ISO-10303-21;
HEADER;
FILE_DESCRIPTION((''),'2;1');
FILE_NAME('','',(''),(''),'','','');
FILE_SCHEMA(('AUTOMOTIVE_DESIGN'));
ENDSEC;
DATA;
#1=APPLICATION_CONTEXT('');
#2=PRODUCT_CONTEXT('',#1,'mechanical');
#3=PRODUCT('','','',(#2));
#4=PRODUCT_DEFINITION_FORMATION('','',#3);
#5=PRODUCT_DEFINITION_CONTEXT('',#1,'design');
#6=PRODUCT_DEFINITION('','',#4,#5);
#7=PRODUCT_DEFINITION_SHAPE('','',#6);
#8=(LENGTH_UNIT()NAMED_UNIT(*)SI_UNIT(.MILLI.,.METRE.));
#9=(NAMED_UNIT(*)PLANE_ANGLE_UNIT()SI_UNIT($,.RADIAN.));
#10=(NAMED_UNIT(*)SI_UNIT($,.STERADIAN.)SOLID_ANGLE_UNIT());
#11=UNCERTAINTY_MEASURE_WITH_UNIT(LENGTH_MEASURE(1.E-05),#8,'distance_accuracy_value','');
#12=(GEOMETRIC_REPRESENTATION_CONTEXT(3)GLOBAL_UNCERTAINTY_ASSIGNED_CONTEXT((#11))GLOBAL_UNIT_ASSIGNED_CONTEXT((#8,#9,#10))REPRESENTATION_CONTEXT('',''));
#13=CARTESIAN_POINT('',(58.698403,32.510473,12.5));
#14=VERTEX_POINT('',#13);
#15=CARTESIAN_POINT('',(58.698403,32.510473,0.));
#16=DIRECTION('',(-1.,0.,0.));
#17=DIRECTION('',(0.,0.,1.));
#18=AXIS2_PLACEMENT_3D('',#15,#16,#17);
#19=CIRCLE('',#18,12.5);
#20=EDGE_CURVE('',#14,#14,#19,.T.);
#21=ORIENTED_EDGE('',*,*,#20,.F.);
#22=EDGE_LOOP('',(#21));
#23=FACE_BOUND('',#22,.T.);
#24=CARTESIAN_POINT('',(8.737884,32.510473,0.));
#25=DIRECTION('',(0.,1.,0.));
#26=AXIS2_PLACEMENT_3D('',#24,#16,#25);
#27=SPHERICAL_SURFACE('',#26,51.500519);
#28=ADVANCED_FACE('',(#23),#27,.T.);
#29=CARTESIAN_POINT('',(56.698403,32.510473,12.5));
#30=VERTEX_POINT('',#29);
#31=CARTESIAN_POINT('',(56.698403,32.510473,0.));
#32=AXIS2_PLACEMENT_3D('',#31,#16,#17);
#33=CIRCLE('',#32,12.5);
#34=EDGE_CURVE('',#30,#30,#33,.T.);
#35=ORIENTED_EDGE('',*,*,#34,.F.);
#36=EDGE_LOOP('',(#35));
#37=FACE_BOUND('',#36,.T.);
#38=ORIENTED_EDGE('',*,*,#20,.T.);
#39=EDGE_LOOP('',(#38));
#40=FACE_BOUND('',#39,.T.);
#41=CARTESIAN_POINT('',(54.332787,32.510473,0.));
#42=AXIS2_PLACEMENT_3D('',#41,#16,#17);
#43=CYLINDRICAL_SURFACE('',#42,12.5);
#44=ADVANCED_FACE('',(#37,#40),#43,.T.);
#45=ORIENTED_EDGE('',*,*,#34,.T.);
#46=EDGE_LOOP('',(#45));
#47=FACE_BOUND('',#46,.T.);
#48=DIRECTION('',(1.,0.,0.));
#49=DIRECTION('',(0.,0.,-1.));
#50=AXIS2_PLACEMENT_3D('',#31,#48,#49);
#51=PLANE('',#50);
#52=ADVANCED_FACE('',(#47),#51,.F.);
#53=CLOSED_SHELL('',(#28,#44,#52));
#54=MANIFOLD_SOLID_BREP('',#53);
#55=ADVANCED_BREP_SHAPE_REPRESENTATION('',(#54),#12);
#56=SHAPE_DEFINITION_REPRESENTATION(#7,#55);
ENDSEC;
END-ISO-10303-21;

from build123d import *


with BuildPart() as part:
    # 草图1 → 旋转1 (revolve)
    with BuildSketch(Plane.XY):
        with BuildLine():
            Line((56.698403068, 32.51047269), (56.698403068, 45.01047269))
            Line((56.698403068, 45.01047269), (58.698403068, 45.01047269))
            ThreePointArc((58.698403068, 45.01047269), (59.851953145, 38.80772606), (60.238403068, 32.51047269))
            Line((60.238403068, 32.51047269), (56.698403068, 32.51047269))
        make_face()
    revolve(axis=Axis((54.332787165, 32.51047269, 0), (1, 0, 0)))


solid = part.part
